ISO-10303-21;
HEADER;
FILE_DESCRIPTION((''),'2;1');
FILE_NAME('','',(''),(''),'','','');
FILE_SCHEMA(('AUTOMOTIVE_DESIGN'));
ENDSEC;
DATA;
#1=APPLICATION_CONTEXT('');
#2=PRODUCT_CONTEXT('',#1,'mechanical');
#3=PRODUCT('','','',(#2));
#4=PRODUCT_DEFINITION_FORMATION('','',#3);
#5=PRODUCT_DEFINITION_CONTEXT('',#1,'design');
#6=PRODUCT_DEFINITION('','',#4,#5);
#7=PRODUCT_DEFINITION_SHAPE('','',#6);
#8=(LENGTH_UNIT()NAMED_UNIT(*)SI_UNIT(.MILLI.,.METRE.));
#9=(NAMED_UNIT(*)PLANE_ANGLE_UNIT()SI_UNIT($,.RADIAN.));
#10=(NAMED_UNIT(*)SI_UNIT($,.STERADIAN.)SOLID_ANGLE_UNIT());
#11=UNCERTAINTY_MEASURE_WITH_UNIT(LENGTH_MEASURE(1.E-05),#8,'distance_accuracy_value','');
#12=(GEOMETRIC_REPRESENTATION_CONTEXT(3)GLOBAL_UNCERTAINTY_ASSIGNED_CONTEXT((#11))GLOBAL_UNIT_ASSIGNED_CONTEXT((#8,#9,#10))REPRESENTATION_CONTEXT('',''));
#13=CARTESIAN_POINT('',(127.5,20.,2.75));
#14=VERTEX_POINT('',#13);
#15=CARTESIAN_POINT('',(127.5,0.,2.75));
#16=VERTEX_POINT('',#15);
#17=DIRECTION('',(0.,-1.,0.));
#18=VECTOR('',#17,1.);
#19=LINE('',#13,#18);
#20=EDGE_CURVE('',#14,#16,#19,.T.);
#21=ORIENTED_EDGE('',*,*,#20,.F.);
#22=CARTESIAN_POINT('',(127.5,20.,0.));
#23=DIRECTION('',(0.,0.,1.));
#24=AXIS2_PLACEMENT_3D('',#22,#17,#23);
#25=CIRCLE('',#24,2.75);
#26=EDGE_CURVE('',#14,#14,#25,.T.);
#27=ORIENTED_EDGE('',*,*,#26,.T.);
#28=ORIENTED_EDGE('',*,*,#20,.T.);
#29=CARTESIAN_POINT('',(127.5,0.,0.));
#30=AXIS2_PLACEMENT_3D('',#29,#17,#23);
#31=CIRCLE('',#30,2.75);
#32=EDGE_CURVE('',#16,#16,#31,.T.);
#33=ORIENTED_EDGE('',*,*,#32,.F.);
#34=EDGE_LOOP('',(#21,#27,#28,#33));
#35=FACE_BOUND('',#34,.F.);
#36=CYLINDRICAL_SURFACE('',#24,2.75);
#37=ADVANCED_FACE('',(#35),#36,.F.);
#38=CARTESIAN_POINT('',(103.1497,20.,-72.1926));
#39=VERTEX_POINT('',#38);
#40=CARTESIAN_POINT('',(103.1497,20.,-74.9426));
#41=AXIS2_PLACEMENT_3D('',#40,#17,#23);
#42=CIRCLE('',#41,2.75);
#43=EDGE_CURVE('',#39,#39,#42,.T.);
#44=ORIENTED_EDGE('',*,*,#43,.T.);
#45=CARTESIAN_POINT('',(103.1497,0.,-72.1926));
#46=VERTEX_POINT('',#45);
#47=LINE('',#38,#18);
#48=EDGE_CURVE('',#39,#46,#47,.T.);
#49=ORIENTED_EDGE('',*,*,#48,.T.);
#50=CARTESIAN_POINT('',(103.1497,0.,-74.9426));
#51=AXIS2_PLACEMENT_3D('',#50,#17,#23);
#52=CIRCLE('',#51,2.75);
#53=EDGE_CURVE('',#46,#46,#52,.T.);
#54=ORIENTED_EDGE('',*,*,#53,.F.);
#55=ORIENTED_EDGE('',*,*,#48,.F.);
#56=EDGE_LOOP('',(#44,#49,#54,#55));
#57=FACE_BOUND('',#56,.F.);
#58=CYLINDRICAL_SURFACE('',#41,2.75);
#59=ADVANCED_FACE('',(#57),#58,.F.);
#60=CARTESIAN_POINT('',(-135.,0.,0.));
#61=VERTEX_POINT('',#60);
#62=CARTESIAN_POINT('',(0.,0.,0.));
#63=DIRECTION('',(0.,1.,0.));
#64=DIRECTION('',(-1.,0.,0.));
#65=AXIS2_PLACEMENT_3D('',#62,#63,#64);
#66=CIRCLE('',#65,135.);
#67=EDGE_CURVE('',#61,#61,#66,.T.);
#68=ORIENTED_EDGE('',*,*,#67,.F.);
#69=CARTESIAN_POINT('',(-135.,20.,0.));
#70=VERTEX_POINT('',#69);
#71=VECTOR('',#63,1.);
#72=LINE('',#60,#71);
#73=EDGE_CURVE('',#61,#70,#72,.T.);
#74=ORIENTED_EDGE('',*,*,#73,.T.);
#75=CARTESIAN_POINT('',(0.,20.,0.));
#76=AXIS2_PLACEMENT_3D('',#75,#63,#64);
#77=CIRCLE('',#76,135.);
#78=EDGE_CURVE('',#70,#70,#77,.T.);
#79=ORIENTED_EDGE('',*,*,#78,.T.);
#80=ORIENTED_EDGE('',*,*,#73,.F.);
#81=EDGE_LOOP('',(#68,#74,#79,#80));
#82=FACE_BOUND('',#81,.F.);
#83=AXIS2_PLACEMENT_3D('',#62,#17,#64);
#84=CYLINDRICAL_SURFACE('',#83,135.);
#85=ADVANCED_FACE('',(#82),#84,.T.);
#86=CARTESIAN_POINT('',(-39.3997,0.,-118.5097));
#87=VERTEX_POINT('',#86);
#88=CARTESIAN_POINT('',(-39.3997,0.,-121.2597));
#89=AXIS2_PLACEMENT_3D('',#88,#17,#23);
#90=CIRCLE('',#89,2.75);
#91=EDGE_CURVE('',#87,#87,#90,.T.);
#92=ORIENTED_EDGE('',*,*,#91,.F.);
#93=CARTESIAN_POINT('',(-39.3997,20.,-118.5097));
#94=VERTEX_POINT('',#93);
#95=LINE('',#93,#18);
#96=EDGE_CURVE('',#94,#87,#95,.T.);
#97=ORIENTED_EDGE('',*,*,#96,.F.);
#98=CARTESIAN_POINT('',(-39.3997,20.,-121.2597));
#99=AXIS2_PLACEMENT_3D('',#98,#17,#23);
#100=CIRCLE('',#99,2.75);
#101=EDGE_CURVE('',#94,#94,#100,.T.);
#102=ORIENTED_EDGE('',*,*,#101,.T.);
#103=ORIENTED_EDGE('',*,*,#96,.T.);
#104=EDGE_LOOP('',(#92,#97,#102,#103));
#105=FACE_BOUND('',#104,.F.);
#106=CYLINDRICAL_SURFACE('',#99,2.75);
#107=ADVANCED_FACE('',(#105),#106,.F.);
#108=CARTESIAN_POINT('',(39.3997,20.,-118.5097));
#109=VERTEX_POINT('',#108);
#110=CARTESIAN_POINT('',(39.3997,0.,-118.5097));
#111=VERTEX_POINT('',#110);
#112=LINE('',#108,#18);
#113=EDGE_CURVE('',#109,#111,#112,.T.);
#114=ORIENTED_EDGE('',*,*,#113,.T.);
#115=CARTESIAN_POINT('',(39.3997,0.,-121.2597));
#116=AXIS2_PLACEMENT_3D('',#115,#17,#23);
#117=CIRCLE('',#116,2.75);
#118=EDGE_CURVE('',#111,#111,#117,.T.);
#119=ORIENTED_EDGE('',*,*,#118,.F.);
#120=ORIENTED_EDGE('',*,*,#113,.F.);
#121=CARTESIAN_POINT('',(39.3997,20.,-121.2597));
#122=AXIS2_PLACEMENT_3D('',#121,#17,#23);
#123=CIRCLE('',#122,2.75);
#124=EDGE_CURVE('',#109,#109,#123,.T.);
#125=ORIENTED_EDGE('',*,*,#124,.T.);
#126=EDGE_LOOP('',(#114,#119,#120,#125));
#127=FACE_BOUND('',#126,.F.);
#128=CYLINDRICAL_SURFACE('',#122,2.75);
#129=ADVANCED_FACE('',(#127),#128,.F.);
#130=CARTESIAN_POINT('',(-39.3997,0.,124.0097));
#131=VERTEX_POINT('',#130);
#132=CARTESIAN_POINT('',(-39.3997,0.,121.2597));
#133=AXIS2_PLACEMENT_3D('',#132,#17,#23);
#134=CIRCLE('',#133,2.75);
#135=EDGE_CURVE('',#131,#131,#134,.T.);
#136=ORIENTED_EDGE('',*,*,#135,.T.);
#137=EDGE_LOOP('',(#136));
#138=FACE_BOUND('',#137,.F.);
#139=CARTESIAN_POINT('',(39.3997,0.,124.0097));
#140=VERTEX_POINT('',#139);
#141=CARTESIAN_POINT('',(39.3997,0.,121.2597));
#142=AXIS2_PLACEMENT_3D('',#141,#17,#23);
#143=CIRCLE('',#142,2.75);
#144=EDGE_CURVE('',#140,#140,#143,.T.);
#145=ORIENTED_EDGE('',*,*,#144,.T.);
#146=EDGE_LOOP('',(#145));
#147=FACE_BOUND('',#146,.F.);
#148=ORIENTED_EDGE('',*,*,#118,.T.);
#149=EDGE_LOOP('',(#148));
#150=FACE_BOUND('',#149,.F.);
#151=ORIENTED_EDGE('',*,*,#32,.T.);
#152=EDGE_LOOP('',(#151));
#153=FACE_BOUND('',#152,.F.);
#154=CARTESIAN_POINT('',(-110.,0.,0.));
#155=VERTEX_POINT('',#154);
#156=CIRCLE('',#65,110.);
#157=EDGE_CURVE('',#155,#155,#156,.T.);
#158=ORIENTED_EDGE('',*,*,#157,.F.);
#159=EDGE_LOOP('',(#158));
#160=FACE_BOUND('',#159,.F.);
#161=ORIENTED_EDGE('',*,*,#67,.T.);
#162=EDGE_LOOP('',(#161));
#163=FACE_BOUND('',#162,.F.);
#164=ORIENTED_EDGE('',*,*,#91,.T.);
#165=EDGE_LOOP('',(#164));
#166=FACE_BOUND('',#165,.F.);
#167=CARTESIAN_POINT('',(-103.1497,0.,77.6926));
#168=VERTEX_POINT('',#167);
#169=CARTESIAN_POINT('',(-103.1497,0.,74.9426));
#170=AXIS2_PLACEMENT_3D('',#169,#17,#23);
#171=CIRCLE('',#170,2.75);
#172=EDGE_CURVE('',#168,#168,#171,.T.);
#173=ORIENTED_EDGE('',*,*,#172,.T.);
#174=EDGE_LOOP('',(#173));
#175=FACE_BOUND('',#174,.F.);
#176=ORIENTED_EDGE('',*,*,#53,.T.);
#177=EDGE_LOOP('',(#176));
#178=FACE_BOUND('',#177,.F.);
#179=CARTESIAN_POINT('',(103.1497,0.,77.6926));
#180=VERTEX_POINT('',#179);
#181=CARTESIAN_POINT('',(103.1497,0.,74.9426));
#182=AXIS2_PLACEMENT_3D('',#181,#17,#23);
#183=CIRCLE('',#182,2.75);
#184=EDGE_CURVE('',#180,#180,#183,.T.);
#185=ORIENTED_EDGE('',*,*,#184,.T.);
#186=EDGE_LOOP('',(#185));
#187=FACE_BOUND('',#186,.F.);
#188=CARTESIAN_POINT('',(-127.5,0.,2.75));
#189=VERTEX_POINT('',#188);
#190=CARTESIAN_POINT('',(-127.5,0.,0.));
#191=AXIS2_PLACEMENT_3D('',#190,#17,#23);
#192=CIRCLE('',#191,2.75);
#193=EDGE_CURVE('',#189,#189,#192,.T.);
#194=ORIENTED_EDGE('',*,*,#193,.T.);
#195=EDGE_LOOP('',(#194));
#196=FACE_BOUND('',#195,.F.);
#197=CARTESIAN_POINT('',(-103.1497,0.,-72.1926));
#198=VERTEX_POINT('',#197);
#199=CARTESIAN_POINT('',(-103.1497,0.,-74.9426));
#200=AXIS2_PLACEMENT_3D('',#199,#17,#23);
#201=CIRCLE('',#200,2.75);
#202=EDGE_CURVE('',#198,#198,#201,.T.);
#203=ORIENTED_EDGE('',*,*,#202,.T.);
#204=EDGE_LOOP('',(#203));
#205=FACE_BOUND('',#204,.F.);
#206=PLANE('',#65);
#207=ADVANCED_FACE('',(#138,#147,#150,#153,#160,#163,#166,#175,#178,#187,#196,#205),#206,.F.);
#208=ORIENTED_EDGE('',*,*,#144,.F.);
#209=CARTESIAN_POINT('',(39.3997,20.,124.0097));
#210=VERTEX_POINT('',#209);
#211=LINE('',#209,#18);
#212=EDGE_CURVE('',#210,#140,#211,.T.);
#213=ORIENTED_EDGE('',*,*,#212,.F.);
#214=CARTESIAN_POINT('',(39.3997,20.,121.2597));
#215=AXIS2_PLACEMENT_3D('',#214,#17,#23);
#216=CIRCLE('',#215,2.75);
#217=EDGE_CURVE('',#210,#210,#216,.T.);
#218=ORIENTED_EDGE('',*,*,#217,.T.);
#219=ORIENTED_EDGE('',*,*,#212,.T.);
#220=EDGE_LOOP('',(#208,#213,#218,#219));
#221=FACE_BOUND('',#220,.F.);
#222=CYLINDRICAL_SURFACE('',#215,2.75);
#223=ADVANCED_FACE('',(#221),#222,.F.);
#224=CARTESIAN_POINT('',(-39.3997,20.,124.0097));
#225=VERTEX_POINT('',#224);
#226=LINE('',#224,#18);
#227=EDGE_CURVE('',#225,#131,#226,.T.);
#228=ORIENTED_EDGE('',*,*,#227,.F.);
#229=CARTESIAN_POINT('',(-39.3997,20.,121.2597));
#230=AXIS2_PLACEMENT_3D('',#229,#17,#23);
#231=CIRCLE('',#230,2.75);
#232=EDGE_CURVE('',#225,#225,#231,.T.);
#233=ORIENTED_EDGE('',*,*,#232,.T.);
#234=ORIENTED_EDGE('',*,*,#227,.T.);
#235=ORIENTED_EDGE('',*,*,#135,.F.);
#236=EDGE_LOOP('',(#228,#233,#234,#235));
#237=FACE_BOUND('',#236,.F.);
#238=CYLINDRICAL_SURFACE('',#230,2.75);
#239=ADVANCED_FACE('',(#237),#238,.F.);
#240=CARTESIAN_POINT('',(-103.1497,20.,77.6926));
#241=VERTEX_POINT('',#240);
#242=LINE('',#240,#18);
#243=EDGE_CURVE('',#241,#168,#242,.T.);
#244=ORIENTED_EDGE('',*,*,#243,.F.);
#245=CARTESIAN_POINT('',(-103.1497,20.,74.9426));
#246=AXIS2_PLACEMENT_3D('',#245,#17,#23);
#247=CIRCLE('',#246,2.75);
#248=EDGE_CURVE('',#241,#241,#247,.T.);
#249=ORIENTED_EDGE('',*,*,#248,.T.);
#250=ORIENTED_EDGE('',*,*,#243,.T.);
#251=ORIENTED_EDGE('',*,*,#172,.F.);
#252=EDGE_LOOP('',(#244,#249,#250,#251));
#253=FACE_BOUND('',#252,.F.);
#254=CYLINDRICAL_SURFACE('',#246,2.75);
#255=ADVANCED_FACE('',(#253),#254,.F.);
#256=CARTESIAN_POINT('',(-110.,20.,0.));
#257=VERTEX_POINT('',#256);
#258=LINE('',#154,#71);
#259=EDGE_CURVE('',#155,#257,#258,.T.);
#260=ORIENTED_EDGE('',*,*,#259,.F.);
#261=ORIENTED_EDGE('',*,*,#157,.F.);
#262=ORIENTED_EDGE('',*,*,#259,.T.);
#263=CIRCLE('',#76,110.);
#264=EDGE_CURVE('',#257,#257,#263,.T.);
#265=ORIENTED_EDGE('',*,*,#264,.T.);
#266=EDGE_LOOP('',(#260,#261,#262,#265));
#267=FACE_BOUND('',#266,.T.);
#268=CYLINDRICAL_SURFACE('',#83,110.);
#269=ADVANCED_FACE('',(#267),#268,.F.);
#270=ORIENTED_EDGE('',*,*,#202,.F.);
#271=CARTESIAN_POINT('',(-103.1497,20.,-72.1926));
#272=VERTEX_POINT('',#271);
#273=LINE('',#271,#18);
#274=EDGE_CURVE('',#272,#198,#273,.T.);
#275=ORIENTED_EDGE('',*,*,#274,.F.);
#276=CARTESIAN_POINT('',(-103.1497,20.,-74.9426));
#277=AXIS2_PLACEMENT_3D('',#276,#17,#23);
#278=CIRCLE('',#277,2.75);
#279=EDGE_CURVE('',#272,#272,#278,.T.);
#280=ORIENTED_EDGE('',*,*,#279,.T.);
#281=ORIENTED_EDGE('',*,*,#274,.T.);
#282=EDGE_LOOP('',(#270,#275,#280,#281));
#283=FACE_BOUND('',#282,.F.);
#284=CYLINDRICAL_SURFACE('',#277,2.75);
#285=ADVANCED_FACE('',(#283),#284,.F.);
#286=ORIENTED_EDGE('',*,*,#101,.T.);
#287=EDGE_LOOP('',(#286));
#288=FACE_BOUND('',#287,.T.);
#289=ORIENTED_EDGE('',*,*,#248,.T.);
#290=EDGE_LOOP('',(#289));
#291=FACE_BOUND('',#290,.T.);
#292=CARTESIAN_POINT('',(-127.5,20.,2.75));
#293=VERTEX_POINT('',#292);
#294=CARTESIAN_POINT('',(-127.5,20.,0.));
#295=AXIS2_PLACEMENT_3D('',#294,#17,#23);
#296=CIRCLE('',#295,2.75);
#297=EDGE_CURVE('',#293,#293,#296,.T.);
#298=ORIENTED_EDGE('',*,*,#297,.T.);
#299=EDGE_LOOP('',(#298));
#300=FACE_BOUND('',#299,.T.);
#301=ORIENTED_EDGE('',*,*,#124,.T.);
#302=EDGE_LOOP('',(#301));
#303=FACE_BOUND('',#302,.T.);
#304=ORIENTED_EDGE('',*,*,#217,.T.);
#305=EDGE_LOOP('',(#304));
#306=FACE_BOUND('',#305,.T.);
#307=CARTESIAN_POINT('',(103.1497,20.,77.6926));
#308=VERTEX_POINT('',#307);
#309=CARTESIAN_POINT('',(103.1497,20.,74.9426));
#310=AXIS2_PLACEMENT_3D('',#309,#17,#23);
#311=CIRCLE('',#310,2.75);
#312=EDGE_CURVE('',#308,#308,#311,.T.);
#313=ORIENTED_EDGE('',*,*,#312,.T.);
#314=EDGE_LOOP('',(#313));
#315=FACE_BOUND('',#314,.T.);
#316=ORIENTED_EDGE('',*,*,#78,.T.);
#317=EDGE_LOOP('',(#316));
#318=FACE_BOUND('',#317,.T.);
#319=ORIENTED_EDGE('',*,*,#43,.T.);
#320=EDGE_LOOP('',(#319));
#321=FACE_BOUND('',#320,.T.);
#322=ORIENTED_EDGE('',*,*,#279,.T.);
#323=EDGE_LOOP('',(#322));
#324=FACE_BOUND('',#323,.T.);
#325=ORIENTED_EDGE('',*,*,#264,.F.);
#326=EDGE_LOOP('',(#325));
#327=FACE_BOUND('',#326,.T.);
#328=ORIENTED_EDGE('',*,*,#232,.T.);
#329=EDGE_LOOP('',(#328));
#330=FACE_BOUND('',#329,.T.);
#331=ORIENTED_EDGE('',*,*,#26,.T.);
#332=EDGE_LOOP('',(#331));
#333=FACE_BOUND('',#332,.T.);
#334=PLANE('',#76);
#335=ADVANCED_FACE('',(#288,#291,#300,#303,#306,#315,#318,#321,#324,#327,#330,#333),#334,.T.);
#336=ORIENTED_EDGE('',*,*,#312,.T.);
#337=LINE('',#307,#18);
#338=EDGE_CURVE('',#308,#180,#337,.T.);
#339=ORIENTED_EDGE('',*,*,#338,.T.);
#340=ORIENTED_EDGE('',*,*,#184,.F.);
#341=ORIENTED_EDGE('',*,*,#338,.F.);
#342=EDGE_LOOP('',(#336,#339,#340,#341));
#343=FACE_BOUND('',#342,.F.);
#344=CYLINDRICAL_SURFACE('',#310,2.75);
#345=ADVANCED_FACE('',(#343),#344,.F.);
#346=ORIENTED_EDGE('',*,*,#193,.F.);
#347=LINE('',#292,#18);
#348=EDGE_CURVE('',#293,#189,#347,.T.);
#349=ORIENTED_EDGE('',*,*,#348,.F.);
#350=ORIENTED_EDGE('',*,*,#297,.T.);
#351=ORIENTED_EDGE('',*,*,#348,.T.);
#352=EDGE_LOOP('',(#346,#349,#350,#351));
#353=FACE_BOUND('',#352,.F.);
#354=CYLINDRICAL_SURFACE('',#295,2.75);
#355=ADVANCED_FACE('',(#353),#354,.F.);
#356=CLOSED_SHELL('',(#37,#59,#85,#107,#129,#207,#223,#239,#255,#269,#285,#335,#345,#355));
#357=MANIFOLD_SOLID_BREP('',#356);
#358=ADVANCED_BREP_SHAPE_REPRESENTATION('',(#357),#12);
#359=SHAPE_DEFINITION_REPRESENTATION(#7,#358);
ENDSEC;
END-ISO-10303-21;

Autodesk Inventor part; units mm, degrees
ref_plane "YZ Plane" through (0, 0, 0) normal (1, 0, 0) x (0, 1, 0)
ref_plane "XZ Plane" through (0, 0, 0) normal (0, 1, 0) x (-1, 0, 0)
ref_plane "XY Plane" through (0, 0, 0) normal (0, 0, 1) x (1, 0, 0)
sketch "Sketch1" plane through (0, 0, 0) normal (0, 1, 0) x (-1, 0, 0)
  circle A0 centre (0, 0) radius 135
  circle A1 centre (0, 0) radius 110
  dimension "d0" = 270
  dimension "d1" = 220
extrude "Extrusion1" add sketch "Sketch1" along normal blind 20
sketch "Sketch3" plane through (0, 20, 0) normal (0, 1, 0) x (1, 0, 0)
  circle A0 centre (0, 0) radius 127.5
  circle A1 centre (-127.5, 0) radius 2
  circle A2 centre (-103.1497, -74.9426) radius 2
  circle A3 centre (-39.3997, -121.2597) radius 2
  circle A4 centre (39.3997, -121.2597) radius 2
  circle A5 centre (103.1497, -74.9426) radius 2
  circle A6 centre (127.5, 0) radius 2
  circle A7 centre (103.1497, 74.9426) radius 2
  circle A8 centre (39.3997, 121.2597) radius 2
  circle A9 centre (-39.3997, 121.2597) radius 2
  circle A10 centre (-103.1497, 74.9426) radius 2
  dimension "d8" = 255
  dimension "d9" = 4
  dimension "d12" = 360
hole "Hole1" at (103.1497, 20, 74.9426) at (127.5, 20, 0) at (103.1497, 20, -74.9426) at (39.3997, 20, -121.2597) at (-39.3997, 20, -121.2597) at (-103.1497, 20, -74.9426) at (-127.5, 20, 0) at (-103.1497, 20, 74.9426) at (-39.3997, 20, 121.2597) at (39.3997, 20, 121.2597) direction (0, -1, 0) diameter 5.5 end through all
sketch "Sketch7" plane through (0, 20, 0) normal (0, 1, 0) x (1, 0, 0)
  point P0 (0, 0)
properties part number "Cylinder Bottom"
